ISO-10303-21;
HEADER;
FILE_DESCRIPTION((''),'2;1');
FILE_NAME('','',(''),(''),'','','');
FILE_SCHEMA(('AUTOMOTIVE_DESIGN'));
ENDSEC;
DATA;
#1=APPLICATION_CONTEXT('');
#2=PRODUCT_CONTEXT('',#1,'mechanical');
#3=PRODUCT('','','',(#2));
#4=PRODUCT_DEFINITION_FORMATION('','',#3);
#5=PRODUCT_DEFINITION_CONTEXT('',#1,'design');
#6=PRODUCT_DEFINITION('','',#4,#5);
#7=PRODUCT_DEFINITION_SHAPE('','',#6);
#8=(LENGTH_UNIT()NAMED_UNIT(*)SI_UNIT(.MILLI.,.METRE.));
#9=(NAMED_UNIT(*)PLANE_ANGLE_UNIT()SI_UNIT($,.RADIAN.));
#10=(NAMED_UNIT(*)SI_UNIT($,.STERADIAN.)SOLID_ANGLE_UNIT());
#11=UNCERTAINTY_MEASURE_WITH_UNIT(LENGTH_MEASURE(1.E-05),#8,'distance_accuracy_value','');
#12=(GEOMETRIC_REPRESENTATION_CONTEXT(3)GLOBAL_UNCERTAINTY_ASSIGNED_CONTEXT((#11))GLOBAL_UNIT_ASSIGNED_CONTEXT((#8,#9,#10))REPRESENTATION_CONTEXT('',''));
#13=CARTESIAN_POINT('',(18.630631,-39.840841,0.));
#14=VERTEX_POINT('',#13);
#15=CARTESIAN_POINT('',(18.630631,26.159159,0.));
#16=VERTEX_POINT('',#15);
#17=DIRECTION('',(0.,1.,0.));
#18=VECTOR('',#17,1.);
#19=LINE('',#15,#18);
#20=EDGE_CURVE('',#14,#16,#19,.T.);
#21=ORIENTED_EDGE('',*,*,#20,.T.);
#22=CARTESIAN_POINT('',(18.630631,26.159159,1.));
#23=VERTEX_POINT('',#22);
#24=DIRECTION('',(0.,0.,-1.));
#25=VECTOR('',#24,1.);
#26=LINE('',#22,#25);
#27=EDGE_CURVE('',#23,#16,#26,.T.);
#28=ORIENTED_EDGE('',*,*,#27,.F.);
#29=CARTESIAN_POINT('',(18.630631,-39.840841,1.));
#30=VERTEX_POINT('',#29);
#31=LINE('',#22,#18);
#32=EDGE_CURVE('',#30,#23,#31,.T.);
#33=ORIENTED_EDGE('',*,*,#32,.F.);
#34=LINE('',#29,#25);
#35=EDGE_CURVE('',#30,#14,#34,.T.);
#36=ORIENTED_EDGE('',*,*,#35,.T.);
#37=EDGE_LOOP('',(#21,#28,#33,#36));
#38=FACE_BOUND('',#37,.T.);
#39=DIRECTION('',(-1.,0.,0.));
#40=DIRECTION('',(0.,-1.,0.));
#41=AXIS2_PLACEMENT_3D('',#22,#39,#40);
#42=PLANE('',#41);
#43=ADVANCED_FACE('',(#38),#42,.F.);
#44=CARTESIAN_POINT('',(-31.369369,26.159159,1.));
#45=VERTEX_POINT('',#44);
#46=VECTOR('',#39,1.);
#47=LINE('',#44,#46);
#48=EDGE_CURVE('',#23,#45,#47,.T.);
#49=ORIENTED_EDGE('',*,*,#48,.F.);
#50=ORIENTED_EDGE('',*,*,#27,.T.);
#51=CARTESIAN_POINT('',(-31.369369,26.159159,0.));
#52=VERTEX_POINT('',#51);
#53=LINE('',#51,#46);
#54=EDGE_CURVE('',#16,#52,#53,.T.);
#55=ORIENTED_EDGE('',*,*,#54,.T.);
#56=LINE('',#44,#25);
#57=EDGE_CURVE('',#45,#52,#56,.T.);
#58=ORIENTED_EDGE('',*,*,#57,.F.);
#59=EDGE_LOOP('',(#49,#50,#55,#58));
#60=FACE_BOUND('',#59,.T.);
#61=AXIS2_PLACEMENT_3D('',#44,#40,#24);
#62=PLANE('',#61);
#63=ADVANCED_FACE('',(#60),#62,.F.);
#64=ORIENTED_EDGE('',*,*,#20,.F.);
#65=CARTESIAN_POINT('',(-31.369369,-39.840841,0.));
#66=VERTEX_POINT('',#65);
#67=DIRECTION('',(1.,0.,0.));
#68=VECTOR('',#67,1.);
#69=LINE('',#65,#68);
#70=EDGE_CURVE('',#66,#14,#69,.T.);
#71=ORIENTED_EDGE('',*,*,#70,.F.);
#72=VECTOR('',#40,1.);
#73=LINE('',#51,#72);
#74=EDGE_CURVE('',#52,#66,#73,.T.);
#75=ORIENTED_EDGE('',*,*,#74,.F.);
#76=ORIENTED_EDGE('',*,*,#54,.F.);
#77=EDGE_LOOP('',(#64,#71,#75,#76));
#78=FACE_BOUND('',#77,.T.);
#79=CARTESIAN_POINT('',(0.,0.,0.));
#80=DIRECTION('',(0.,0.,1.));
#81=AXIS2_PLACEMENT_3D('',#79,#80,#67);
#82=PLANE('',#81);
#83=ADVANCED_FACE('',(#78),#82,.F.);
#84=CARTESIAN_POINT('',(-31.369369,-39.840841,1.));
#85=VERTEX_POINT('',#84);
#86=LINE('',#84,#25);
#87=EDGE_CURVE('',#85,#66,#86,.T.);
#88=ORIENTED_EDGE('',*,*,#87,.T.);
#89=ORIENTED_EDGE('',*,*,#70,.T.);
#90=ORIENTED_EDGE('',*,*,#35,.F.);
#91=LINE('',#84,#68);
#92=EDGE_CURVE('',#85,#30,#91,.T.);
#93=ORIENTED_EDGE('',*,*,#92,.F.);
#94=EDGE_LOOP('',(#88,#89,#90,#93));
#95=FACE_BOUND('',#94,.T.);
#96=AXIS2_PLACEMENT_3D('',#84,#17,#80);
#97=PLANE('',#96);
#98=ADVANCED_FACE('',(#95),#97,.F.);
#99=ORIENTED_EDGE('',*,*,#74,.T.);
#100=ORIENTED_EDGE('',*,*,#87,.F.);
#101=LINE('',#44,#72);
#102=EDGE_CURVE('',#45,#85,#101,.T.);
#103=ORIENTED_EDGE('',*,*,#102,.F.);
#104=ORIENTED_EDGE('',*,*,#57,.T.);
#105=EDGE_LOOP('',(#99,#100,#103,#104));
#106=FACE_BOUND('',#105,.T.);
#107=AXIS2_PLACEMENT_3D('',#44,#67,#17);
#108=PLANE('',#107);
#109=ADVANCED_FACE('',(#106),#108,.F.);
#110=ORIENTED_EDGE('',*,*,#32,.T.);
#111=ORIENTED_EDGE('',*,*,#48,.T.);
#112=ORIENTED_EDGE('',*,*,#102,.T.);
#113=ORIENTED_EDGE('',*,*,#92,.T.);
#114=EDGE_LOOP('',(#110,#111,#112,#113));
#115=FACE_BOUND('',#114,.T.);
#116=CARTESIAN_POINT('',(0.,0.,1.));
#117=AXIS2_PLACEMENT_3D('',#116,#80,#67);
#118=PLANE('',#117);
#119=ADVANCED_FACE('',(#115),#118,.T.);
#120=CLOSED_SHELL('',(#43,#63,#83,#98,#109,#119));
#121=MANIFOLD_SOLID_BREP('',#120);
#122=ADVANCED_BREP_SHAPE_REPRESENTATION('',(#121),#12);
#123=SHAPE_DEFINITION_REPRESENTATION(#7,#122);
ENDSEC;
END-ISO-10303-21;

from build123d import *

# Parameters (mm, degrees)
SKETCH_1_W      = 50
SKETCH_1_H      = 66
EXTRUDE_1_DEPTH = 1


with BuildPart() as part:
    # 草图1 → 凸台-拉伸1 (new body)
    with BuildSketch(Plane.XY):
        with Locations((-6.369369369, -6.840840841)):
            Rectangle(SKETCH_1_W, SKETCH_1_H)
    extrude(amount=EXTRUDE_1_DEPTH)


solid = part.part
